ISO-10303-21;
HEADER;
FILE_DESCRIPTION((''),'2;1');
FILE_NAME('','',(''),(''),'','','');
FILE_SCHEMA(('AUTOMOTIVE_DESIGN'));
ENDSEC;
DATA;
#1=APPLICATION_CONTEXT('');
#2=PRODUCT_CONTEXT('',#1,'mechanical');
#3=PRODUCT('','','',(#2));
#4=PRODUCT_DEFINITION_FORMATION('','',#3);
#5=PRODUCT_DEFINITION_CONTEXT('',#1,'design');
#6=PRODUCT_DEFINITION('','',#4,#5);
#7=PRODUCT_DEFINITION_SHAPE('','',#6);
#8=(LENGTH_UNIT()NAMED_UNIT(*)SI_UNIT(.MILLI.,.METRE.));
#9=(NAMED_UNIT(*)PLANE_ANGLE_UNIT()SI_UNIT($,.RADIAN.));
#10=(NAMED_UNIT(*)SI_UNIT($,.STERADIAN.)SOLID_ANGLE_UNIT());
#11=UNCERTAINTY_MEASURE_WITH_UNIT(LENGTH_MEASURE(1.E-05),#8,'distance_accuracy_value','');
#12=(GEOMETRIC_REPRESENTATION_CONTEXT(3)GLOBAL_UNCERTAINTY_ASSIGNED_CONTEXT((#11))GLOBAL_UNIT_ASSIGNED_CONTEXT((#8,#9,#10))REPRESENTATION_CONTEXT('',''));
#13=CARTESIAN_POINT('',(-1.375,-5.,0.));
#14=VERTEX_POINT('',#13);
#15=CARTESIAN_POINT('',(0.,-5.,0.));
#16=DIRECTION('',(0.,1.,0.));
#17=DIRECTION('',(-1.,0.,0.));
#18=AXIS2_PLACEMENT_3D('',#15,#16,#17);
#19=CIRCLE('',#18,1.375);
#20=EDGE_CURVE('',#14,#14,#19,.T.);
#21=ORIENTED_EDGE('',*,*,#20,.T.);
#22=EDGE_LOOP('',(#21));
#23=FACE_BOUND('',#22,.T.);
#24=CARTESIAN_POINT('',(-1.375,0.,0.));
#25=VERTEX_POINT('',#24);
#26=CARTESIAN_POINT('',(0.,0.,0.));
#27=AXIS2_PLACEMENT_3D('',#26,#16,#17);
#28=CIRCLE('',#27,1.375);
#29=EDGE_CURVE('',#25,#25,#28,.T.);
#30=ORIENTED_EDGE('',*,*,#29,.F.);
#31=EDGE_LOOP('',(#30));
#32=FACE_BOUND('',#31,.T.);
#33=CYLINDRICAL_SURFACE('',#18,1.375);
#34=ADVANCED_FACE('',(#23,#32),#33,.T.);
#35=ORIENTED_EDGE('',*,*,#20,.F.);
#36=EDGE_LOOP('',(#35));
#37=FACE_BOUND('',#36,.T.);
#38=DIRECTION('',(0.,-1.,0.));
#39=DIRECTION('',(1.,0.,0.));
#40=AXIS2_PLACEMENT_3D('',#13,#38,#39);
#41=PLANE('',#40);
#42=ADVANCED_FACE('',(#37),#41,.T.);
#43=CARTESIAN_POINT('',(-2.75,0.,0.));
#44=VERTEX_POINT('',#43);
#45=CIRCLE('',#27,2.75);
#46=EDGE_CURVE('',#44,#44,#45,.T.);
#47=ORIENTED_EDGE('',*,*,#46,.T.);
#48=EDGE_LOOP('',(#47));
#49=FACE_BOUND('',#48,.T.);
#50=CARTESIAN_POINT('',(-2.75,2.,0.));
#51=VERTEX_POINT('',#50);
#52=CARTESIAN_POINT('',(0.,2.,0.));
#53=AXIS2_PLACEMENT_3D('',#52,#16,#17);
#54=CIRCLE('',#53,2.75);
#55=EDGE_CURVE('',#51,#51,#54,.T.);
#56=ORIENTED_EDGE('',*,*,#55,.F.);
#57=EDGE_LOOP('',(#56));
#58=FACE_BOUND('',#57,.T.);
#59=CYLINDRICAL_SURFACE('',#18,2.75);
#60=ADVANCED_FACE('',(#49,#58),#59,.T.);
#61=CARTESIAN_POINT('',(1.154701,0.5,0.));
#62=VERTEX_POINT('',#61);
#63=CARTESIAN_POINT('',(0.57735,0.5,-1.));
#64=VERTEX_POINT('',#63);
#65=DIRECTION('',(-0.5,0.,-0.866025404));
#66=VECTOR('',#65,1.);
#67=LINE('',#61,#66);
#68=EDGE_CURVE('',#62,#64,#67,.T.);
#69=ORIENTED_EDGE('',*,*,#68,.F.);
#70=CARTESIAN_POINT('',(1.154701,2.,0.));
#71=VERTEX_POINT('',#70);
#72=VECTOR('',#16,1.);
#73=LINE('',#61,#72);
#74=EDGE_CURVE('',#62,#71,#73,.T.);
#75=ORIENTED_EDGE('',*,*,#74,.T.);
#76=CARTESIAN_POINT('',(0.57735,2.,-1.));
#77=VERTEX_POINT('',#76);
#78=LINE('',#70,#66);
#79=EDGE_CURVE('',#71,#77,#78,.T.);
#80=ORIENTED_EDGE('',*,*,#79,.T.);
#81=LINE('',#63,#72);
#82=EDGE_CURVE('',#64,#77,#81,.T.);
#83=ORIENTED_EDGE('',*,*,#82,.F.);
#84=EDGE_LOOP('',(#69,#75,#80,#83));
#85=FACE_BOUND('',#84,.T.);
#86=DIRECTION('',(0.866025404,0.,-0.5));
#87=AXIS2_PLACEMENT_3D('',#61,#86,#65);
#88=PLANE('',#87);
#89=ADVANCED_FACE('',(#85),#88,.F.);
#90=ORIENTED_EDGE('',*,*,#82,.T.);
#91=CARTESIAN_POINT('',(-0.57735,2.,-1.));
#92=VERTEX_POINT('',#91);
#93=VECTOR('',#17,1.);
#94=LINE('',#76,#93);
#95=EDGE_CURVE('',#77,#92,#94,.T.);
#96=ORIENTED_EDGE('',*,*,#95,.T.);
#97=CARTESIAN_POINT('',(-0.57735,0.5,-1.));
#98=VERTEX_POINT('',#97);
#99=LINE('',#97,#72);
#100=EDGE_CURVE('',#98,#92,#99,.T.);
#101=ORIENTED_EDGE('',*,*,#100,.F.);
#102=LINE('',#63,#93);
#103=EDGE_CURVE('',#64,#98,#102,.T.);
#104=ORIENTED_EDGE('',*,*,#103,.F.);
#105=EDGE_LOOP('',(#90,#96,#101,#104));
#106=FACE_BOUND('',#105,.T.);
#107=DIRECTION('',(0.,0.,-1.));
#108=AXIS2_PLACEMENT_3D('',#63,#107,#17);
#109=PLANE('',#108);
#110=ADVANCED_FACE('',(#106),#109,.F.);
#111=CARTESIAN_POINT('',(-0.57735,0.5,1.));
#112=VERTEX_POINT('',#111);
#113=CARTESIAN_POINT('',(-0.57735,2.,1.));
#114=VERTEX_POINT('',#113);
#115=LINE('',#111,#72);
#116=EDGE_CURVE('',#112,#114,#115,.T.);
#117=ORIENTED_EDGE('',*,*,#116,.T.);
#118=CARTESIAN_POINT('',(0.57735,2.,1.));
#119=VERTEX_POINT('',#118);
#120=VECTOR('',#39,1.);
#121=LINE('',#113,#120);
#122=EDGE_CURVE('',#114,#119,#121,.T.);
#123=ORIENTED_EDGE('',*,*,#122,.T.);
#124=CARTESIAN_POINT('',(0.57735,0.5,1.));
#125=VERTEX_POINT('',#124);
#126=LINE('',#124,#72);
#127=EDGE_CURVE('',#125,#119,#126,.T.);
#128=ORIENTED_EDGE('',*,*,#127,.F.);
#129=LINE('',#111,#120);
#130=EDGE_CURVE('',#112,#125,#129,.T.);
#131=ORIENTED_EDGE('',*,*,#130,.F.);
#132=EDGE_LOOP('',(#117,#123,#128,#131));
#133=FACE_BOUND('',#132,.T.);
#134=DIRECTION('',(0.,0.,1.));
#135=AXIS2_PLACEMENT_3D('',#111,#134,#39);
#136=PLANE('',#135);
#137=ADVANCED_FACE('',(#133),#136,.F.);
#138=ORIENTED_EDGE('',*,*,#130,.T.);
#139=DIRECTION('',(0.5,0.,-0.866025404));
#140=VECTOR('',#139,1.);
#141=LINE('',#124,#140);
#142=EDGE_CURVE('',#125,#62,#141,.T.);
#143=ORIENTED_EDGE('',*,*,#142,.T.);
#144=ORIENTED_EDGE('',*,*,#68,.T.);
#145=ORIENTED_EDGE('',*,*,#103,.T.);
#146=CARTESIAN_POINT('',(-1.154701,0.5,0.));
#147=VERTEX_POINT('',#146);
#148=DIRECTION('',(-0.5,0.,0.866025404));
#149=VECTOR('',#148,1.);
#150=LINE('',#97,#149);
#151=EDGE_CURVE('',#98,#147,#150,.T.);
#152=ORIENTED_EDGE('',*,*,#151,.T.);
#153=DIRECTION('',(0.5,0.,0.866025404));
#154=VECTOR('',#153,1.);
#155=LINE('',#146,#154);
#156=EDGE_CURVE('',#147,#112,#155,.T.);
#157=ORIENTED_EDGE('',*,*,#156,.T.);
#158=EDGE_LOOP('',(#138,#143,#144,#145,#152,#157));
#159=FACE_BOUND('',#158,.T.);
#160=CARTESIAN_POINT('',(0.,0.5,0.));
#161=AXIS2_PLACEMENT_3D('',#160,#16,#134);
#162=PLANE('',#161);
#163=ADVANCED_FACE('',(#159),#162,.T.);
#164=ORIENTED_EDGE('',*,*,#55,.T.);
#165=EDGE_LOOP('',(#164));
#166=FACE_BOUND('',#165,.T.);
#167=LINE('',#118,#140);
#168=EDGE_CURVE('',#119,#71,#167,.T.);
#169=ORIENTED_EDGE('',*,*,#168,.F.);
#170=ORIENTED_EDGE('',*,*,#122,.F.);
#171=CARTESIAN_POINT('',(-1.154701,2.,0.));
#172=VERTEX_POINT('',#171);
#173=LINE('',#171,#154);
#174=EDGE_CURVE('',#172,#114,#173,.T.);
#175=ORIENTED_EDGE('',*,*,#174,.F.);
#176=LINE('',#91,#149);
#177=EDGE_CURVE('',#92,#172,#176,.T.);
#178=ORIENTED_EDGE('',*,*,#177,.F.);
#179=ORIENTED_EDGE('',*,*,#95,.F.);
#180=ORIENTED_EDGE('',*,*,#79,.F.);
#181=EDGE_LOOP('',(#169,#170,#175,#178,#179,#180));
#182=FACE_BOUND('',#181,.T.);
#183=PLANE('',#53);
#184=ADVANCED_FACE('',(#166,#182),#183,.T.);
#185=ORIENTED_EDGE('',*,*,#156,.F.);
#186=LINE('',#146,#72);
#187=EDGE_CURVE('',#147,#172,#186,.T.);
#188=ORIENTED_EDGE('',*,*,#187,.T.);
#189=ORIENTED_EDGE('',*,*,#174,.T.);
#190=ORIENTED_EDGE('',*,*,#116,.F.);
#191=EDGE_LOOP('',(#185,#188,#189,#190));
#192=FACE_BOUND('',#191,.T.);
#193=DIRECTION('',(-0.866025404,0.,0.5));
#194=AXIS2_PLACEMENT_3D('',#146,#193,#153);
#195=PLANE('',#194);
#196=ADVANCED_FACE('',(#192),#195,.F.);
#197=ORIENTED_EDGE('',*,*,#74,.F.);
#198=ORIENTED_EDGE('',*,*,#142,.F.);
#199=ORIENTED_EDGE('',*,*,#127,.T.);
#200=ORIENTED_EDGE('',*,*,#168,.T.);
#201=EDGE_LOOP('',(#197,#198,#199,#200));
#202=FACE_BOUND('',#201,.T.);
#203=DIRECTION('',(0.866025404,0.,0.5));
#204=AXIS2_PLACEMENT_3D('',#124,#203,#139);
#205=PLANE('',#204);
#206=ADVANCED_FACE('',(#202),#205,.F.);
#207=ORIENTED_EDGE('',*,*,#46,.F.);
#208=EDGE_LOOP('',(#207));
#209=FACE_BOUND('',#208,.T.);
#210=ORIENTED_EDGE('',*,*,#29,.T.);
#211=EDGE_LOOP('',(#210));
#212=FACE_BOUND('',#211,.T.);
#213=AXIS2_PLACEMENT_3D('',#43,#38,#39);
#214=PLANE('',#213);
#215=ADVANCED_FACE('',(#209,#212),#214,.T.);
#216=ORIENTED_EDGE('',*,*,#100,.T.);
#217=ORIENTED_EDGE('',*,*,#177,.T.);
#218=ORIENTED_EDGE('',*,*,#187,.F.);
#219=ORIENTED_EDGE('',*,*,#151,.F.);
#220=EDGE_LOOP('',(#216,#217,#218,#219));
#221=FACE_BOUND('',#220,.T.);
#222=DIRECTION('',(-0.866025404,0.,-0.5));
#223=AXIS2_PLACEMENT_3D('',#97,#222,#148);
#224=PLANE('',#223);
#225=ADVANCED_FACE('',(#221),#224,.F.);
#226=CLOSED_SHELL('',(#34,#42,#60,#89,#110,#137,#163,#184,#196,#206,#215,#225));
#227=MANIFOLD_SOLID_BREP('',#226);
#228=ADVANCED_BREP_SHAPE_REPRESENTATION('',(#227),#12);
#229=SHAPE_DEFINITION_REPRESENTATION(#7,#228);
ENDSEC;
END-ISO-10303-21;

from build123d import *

# Parameters (mm, degrees)
CUT_EXTRUDE1_DEPTH = 1.5


with BuildPart() as part:
    # Sketch1 → Revolve1 (revolve)
    with BuildSketch(Plane.XY):
        Polygon((0, 2), (-2.75, 2), (-2.75, 0), (-1.375, 0), (-1.375, -5), (0, -5), align=None)
    revolve(axis=Axis((0, -5, 0), (0, -1, 0)))

    # Sketch2 → Cut-Extrude1 (cut)
    with BuildSketch(Plane(origin=(0, 2, 0), x_dir=(1, 0, 0), z_dir=(0, 1, 0))):
        Polygon((0.577350269, -1), (1.154700538, 0), (0.577350269, 1), (-0.577350269, 1), (-1.154700538, 0), (-0.577350269, -1), align=None)
    extrude(amount=-CUT_EXTRUDE1_DEPTH, mode=Mode.SUBTRACT)


solid = part.part
